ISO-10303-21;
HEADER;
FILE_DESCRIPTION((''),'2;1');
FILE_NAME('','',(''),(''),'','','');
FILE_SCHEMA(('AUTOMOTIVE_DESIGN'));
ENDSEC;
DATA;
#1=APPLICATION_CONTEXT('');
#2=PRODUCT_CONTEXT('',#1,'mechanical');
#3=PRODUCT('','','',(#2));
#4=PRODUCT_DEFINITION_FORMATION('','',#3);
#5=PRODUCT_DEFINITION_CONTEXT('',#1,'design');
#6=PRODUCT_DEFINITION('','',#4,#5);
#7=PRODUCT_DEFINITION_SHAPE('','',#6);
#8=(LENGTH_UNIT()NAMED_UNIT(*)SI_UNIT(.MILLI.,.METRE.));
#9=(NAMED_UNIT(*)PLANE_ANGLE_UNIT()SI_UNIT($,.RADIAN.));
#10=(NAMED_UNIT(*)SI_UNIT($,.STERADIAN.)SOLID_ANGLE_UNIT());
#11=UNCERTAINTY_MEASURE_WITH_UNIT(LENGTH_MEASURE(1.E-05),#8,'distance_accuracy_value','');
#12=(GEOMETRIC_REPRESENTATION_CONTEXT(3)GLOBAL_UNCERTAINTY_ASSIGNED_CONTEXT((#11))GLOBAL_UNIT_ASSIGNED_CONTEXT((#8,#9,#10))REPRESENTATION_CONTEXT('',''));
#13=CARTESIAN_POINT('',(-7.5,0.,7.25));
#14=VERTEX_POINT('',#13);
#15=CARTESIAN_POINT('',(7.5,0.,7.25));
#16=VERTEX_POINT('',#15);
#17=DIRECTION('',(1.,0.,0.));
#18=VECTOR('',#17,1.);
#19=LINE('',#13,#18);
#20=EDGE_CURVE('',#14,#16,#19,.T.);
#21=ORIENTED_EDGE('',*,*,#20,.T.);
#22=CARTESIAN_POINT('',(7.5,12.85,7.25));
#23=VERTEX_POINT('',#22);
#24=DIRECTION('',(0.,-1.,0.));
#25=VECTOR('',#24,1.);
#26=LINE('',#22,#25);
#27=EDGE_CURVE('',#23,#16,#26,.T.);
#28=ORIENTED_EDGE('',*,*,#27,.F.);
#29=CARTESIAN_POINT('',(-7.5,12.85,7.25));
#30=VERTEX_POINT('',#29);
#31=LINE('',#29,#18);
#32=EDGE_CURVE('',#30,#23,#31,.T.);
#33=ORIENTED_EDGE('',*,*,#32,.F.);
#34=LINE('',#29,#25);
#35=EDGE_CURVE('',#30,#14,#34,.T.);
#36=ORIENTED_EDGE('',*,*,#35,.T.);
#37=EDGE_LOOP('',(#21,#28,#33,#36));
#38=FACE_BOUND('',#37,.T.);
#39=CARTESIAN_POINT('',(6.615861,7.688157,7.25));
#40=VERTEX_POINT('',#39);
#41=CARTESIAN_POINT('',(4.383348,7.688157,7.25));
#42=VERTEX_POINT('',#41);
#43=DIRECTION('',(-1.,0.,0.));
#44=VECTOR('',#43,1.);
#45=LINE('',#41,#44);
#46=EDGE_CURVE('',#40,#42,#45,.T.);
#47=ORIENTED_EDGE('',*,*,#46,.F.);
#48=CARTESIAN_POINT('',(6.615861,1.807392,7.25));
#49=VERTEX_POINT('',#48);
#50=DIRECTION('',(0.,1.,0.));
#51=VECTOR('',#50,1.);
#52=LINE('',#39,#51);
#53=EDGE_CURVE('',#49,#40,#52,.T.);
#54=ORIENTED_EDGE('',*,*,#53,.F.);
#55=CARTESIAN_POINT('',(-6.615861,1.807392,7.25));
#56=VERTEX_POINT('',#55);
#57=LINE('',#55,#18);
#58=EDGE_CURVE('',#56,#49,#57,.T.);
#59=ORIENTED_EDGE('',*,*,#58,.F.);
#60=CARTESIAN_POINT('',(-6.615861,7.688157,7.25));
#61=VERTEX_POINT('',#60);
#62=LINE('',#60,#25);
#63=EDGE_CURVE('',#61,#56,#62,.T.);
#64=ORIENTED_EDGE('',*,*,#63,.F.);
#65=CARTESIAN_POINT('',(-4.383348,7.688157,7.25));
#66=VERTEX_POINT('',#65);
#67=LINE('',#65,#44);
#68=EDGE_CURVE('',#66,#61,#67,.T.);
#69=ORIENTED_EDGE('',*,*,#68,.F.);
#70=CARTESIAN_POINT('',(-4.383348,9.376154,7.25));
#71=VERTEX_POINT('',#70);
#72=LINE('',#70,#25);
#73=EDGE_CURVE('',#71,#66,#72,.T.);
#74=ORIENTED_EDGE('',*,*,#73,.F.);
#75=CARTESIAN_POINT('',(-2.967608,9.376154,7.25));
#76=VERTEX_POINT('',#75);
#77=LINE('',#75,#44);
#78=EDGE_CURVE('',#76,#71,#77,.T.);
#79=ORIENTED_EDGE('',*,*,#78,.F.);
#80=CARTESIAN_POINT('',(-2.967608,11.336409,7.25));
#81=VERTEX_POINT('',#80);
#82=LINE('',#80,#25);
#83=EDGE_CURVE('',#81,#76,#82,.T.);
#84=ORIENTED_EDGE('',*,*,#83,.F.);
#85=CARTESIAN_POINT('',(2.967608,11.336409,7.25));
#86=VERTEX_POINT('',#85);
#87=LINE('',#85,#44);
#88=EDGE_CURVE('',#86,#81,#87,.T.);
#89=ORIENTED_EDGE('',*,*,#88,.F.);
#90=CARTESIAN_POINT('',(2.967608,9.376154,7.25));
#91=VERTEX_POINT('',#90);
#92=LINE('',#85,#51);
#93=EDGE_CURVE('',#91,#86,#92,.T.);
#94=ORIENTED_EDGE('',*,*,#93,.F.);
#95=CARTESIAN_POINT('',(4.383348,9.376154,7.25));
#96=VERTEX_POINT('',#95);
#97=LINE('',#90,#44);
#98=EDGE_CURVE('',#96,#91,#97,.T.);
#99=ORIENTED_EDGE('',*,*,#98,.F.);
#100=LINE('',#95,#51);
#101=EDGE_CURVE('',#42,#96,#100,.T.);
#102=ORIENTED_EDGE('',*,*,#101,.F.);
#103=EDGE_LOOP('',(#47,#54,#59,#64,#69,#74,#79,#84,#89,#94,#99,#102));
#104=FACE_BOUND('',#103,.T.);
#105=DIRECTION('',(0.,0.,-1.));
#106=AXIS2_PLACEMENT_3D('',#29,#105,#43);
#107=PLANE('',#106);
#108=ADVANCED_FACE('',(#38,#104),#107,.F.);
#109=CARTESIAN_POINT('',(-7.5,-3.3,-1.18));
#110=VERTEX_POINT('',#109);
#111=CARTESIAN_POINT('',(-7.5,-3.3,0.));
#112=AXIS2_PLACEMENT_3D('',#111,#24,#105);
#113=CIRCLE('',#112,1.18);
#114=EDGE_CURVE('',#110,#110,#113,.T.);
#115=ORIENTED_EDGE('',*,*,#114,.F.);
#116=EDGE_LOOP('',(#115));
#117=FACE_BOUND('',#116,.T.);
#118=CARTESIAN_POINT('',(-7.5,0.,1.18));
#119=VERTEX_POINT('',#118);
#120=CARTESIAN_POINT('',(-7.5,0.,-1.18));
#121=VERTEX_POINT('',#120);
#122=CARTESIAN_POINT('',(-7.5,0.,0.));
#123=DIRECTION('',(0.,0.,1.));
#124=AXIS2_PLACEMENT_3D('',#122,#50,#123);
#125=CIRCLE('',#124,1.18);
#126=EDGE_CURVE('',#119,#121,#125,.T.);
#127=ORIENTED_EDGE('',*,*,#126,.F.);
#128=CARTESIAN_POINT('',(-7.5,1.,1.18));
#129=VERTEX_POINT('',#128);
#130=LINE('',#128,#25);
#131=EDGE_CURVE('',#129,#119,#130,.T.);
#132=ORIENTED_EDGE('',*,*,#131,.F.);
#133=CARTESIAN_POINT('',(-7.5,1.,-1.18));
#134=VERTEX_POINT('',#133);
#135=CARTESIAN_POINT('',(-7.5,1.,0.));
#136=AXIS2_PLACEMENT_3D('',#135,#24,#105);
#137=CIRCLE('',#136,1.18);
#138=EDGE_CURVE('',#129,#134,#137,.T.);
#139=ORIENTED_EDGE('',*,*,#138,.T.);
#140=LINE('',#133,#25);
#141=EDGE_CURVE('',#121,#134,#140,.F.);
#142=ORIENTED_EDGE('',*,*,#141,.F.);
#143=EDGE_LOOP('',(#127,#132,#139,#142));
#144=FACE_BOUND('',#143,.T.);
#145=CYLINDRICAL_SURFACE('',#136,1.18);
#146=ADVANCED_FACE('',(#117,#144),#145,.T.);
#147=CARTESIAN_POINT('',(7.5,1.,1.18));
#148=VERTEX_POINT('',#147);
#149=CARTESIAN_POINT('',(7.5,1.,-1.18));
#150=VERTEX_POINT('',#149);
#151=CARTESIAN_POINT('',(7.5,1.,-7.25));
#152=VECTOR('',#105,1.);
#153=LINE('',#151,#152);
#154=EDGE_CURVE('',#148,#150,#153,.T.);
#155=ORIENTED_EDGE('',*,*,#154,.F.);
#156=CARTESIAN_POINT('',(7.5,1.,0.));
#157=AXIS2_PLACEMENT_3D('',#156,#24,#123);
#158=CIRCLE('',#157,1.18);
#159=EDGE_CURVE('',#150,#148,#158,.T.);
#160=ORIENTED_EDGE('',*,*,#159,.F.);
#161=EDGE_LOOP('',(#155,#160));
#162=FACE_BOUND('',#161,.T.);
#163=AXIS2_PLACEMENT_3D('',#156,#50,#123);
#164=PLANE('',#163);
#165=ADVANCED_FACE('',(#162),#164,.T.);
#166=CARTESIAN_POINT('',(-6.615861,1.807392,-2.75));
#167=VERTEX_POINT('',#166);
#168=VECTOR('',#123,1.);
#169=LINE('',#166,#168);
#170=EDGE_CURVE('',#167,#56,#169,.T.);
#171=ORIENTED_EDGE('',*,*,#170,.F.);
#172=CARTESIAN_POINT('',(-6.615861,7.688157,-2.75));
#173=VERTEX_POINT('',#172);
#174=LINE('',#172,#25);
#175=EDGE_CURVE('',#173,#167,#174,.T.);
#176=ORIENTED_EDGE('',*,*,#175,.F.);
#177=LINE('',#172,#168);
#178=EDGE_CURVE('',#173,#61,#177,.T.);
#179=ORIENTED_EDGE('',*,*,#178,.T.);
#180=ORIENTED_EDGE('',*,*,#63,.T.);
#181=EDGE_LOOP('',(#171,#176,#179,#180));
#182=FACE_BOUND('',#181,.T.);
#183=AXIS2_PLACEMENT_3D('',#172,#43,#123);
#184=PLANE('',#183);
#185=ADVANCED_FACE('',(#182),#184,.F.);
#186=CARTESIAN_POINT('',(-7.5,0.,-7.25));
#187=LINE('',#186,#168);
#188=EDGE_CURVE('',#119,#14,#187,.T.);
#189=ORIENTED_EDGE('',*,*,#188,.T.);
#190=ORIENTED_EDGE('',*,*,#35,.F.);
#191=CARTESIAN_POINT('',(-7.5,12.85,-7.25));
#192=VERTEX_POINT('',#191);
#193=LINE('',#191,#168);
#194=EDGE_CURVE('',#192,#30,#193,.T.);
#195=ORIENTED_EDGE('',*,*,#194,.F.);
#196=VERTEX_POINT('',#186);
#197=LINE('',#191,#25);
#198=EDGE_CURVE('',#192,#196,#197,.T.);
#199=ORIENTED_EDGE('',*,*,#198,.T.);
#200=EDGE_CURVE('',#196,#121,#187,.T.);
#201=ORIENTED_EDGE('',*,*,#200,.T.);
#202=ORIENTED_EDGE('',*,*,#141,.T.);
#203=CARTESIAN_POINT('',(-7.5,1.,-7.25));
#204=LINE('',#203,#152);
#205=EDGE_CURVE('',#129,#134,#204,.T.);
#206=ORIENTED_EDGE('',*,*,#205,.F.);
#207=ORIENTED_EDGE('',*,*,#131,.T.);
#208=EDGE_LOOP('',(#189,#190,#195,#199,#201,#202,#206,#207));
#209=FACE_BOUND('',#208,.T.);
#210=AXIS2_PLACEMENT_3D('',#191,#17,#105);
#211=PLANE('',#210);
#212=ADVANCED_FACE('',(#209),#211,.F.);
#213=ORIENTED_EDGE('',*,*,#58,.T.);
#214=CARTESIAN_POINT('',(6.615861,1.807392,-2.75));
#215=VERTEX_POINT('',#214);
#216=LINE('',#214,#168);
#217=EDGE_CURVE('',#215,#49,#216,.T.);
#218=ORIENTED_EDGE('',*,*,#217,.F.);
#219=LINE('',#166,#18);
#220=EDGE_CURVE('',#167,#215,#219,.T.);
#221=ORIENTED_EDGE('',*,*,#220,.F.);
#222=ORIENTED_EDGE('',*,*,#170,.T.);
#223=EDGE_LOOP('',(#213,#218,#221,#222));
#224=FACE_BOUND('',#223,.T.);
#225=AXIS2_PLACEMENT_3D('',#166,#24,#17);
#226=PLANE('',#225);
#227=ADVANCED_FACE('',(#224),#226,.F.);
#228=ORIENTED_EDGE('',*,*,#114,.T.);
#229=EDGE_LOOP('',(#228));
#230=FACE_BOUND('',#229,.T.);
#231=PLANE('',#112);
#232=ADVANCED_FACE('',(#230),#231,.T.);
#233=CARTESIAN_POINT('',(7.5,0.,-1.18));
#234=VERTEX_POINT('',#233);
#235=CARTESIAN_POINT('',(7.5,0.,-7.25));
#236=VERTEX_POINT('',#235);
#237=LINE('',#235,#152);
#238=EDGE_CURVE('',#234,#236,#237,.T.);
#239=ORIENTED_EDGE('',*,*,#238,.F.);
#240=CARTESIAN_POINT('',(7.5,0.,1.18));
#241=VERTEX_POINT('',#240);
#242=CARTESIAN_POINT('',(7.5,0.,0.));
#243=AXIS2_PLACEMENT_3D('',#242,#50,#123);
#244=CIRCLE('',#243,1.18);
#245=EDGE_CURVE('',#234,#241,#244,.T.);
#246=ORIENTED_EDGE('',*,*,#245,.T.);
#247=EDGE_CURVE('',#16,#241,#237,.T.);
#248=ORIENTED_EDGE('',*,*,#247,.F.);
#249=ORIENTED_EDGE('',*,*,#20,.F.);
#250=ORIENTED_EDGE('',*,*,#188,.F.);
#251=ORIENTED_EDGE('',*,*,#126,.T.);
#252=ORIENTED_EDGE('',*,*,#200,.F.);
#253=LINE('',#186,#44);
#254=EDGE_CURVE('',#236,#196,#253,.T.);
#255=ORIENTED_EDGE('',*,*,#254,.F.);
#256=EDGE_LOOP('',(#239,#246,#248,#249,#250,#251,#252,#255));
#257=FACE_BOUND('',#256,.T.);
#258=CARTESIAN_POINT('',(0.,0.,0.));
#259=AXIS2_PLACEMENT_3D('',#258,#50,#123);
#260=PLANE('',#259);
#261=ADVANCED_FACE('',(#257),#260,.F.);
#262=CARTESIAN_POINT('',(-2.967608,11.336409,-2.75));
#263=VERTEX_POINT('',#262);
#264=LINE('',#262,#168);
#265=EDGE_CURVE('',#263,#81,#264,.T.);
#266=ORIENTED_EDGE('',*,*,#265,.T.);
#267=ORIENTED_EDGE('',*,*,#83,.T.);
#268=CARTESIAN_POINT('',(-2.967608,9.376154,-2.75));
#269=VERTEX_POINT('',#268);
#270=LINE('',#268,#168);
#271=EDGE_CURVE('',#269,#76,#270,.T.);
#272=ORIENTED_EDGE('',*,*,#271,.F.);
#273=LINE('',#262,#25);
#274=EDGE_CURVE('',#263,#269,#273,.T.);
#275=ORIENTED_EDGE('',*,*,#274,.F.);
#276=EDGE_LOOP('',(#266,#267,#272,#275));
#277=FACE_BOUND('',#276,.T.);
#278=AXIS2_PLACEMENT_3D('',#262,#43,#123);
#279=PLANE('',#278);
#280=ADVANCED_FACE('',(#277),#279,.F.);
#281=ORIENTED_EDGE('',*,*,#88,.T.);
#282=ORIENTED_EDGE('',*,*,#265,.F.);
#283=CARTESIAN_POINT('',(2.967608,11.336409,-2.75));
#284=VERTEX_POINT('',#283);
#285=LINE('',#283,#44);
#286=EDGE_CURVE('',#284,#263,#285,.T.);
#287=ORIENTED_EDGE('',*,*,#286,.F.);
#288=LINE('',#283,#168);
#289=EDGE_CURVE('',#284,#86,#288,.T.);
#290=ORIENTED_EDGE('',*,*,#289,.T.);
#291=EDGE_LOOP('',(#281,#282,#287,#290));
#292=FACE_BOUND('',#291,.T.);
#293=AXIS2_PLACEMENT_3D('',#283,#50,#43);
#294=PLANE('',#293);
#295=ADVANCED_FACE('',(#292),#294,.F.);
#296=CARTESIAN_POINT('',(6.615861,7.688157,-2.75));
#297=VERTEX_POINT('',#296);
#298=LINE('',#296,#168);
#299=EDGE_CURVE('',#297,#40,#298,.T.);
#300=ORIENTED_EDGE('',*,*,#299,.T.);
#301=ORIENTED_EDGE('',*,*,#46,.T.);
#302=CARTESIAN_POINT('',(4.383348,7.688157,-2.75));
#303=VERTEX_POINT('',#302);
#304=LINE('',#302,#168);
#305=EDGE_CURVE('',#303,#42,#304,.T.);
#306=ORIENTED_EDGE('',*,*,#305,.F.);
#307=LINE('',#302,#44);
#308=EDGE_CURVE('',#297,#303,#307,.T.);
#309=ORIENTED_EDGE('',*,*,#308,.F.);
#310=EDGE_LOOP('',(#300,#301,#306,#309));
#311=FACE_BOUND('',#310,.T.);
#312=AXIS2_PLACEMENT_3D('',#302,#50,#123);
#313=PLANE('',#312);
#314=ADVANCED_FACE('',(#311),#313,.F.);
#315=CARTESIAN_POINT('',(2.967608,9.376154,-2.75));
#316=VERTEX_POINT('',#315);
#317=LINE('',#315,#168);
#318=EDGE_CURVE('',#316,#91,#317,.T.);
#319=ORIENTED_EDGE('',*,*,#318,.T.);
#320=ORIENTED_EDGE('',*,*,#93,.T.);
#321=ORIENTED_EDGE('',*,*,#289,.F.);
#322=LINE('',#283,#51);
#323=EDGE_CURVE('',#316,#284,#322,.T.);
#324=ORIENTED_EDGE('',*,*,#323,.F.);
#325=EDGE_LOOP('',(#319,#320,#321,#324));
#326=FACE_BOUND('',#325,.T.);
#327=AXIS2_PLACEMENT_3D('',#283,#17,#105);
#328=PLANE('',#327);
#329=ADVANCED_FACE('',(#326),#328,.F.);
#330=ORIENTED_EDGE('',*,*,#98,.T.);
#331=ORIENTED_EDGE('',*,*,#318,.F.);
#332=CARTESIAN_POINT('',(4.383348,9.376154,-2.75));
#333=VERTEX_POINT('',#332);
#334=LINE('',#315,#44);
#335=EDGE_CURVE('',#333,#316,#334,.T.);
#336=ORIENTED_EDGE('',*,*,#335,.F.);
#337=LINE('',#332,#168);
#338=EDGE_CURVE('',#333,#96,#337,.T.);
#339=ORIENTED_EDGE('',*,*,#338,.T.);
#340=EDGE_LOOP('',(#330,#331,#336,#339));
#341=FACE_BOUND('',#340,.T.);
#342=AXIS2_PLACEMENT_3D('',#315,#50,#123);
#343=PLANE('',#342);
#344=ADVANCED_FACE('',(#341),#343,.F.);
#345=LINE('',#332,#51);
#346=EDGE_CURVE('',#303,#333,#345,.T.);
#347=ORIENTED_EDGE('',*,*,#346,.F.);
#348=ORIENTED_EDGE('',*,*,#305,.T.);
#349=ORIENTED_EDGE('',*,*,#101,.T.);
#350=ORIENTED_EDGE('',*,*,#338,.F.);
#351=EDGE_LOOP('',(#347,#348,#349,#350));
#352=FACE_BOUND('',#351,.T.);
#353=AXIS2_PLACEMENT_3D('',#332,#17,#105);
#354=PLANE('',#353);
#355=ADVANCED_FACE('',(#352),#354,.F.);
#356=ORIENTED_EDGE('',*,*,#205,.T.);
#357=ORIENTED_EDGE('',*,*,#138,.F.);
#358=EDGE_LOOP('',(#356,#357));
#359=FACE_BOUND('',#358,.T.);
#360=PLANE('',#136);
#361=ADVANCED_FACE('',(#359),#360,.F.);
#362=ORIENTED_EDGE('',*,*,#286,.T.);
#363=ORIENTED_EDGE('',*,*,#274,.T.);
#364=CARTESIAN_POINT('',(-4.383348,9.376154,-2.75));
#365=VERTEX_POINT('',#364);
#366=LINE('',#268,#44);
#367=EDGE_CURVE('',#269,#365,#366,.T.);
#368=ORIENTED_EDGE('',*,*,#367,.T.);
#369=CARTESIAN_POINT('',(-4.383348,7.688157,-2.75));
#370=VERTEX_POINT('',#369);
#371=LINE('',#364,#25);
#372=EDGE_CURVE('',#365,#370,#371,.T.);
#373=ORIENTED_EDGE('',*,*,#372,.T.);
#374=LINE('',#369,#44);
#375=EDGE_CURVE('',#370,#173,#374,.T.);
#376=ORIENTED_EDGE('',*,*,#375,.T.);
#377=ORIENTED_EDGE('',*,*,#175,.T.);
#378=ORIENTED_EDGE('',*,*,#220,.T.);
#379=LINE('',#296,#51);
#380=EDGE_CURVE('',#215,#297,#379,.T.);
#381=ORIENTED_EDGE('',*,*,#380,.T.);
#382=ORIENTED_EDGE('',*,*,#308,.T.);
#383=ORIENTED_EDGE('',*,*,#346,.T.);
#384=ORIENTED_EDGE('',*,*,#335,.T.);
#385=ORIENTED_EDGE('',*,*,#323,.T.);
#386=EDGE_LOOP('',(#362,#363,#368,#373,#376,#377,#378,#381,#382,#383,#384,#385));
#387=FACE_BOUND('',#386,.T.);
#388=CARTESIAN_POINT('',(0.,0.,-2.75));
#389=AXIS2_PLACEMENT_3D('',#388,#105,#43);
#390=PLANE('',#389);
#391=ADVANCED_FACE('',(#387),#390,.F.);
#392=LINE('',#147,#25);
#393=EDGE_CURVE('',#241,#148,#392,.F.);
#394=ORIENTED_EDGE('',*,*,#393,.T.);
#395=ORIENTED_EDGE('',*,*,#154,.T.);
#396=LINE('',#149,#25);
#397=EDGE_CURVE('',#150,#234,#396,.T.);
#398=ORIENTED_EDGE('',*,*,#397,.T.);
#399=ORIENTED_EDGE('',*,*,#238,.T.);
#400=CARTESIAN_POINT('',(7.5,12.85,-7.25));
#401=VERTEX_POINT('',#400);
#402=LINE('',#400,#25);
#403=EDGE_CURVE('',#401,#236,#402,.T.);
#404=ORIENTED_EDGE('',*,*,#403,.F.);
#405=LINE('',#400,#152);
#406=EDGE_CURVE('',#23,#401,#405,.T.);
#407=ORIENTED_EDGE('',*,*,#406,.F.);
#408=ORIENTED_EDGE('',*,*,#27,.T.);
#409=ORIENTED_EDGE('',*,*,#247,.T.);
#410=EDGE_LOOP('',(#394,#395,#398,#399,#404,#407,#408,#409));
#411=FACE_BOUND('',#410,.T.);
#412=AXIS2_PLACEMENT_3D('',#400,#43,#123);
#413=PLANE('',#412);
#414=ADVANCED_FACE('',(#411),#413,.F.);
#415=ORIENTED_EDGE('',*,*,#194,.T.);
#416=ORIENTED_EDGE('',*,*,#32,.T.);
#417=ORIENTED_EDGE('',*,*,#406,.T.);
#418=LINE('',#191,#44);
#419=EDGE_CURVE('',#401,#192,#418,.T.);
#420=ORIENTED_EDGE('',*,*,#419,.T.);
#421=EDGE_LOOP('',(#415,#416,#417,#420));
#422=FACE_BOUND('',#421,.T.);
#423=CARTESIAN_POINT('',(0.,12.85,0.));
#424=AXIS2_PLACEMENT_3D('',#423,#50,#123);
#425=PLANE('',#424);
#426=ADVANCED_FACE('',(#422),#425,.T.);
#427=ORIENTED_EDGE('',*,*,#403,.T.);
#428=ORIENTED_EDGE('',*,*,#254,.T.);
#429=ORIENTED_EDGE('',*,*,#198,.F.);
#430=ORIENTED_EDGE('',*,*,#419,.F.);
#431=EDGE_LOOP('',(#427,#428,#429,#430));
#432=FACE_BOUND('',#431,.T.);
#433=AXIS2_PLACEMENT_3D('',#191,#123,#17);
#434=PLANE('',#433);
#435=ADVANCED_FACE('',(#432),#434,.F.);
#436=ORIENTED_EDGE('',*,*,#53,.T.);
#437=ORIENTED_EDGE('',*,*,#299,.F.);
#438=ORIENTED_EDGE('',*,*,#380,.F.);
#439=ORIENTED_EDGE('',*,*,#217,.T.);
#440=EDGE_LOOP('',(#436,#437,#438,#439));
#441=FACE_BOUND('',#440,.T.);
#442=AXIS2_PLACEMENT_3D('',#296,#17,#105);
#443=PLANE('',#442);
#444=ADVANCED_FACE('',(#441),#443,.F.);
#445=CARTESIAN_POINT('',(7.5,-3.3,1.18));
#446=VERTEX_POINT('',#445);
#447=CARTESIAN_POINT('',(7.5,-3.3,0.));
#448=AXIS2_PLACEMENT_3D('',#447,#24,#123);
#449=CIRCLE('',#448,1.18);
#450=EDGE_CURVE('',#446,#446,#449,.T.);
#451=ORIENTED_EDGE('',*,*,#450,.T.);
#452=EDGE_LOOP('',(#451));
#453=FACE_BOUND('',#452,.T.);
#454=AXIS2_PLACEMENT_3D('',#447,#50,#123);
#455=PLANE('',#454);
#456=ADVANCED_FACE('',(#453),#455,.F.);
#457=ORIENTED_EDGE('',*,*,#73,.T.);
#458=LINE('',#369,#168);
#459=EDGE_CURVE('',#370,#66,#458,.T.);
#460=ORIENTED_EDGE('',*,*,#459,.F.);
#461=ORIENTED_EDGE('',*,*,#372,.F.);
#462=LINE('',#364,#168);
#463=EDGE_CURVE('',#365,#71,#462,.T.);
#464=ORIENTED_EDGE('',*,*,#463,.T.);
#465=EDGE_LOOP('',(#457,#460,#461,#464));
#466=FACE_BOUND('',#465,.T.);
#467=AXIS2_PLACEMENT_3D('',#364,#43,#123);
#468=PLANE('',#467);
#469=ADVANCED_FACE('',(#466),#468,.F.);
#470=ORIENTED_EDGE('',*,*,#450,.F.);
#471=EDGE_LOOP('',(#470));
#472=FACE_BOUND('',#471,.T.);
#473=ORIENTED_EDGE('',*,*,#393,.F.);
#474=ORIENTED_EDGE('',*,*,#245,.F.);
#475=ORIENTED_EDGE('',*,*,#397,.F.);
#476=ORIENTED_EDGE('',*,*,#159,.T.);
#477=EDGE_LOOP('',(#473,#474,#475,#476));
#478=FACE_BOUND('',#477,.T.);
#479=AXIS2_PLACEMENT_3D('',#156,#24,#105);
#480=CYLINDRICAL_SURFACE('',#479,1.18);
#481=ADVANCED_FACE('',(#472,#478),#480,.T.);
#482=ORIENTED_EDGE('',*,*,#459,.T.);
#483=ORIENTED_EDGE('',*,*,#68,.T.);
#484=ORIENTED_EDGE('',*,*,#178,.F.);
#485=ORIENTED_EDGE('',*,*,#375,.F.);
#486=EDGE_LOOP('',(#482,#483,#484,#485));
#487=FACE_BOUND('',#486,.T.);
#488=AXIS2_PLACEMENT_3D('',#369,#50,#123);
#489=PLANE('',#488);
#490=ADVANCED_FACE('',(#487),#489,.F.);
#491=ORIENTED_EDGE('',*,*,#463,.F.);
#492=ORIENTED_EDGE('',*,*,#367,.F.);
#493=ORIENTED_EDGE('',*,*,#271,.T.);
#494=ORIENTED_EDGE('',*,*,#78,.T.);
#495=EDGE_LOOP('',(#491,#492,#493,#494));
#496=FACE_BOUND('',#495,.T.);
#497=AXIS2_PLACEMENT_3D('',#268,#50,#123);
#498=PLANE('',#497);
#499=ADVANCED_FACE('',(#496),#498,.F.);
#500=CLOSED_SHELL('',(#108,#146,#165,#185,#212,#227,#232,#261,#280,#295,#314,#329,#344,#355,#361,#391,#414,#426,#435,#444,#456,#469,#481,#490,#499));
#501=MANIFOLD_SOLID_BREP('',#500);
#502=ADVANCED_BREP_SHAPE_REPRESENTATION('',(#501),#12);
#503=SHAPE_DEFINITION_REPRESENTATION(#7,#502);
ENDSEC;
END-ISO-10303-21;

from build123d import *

# Parameters (mm, degrees)
SKETCH_1_W           = 15
SKETCH_1_H           = 14.5
EXTRUDE_1_DEPTH      = 12.85
EXTRUDE_2_DEPTH      = 3.3
EXTRUDE_2_DEPTH_BACK = 1
SKETCH_2_R           = 1.18
CUT_EXTRUDE_1_DEPTH  = 10


with BuildPart() as part:
    # 草图1 → 凸台-拉伸1 (new body)
    with BuildSketch(Plane(origin=(0, 0, 0), x_dir=(1, 0, 0), z_dir=(0, 1, 0))):
        Rectangle(SKETCH_1_W, SKETCH_1_H)
    extrude(amount=EXTRUDE_1_DEPTH)

    # 草图2 → 凸台-拉伸2 (add, two sides: drawn at the far end of the back side and taken through both)
    with BuildSketch(Plane.XZ.offset(-EXTRUDE_2_DEPTH_BACK)):
        with Locations(Location((-7.5, 0, 0), (0, 0, 270))):
            Circle(SKETCH_2_R)
        with Locations(Location((7.5, 0, 0), (0, 0, 90))):
            Circle(SKETCH_2_R)
    extrude(amount=EXTRUDE_2_DEPTH + EXTRUDE_2_DEPTH_BACK)

    # 草图3 → 切除-拉伸1 (cut)
    with BuildSketch(Plane.XY.offset(7.25)):
        Polygon((2.967608293, 11.336409161), (-2.967608293, 11.336409161), (-2.967608293, 9.376154142), (-4.383348029, 9.376154142), (-4.383348029, 7.688156764), (-6.615860689, 7.688156764), (-6.615860689, 1.807391707), (6.615860689, 1.807391707), (6.615860689, 7.688156764), (4.383348029, 7.688156764), (4.383348029, 9.376154142), (2.967608293, 9.376154142), align=None)
    extrude(amount=-CUT_EXTRUDE_1_DEPTH, mode=Mode.SUBTRACT)


solid = part.part
